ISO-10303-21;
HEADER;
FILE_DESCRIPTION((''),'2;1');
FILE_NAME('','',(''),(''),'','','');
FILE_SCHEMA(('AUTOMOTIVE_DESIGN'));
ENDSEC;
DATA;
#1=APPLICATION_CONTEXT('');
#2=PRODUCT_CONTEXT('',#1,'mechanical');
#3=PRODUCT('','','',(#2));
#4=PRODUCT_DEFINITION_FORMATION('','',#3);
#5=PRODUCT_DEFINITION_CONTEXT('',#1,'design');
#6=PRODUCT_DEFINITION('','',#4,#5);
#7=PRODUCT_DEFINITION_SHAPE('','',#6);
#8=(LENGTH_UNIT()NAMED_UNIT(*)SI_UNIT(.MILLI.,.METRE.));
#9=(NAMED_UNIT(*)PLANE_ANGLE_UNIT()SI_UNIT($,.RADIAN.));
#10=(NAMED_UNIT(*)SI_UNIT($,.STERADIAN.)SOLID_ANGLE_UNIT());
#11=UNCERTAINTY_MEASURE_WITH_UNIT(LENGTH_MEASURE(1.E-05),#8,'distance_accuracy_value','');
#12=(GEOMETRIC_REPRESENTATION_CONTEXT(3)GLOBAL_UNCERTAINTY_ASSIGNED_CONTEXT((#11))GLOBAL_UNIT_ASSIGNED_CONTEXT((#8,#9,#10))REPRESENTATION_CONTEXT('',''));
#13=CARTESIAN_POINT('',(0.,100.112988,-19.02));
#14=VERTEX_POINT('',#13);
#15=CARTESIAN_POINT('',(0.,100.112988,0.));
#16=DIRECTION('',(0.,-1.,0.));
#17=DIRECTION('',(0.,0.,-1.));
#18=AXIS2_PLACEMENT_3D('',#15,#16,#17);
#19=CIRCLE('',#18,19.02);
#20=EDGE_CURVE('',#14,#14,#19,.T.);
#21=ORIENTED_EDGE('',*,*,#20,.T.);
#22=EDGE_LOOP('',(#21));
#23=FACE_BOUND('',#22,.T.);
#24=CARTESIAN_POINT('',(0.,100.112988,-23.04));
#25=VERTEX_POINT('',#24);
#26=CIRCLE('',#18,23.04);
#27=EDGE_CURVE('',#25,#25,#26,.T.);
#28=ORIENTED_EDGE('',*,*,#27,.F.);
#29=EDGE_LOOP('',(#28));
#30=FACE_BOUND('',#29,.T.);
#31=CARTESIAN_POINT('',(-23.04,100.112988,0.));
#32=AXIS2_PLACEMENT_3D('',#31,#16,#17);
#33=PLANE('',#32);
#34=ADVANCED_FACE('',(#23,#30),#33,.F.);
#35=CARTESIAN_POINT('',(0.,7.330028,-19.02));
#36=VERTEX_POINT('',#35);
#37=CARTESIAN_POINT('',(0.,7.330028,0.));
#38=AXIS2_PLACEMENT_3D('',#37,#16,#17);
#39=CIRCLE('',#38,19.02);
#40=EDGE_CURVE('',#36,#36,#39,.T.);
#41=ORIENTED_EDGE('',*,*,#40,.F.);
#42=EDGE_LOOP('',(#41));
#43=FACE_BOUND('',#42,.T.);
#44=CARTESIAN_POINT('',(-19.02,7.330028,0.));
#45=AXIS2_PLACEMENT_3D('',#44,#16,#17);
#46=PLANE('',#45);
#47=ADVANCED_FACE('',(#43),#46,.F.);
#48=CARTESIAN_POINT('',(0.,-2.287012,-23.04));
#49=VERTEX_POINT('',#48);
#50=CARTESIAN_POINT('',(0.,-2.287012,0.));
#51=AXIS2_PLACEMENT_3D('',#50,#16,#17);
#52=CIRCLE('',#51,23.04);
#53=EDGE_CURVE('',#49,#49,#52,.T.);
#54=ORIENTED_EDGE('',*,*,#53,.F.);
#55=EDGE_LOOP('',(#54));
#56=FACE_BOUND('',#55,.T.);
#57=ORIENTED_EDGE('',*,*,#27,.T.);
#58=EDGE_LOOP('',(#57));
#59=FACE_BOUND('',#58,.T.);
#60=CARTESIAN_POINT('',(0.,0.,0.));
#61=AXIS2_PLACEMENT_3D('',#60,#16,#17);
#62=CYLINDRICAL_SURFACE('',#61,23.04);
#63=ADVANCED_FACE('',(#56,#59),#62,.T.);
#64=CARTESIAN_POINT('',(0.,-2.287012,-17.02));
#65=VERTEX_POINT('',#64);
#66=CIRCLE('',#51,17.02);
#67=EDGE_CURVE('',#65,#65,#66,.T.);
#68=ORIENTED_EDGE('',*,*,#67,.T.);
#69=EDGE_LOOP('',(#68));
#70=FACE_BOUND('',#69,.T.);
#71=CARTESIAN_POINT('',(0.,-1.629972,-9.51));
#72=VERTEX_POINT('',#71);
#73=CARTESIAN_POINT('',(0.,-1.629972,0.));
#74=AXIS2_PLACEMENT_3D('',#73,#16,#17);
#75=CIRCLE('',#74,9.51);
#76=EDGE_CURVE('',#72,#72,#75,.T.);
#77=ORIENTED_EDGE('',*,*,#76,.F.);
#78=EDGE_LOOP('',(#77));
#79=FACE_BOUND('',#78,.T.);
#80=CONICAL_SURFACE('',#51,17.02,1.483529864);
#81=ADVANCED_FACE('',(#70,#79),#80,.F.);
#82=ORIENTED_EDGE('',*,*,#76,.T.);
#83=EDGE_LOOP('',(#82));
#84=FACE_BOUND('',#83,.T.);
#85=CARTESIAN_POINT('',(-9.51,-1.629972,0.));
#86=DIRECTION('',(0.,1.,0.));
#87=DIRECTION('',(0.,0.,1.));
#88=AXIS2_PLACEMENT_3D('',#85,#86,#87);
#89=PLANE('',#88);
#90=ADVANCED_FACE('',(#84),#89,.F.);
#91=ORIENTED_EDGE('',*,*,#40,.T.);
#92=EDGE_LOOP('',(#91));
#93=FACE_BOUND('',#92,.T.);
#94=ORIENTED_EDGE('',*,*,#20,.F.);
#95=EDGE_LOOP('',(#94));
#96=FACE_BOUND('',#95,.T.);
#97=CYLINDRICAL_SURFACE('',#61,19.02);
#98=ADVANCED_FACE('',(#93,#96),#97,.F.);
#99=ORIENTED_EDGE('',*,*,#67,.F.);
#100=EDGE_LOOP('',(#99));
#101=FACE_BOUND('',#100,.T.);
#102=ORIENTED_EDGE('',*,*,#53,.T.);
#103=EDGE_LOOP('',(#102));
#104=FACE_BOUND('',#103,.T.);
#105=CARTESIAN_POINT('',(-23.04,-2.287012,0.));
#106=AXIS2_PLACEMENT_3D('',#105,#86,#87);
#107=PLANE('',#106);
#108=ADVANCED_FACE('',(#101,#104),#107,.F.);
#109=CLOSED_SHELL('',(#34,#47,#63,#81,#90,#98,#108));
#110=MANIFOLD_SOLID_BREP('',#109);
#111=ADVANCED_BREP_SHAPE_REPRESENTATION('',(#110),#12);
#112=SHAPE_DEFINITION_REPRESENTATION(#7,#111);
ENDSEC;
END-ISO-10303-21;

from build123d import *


with BuildPart() as part:
    # Szkic1 → Obrót1 (revolve)
    with BuildSketch(Plane.XY, mode=Mode.PRIVATE) as obr_t1_sk:
        Polygon((-19.02, 100.112987953), (-19.02, 7.330027816), (0, 7.330027816), (0, -1.629972184), (-9.51, -1.629972184), (-17.02, -2.287012047), (-23.04, -2.287012047), (-23.04, 100.112987953), align=None)
    revolve(obr_t1_sk.sketch.rotate(Axis((0, 0, 0), (0, 1, 0)), 270), axis=Axis((0, 0, 0), (0, 1, 0)))


solid = part.part
